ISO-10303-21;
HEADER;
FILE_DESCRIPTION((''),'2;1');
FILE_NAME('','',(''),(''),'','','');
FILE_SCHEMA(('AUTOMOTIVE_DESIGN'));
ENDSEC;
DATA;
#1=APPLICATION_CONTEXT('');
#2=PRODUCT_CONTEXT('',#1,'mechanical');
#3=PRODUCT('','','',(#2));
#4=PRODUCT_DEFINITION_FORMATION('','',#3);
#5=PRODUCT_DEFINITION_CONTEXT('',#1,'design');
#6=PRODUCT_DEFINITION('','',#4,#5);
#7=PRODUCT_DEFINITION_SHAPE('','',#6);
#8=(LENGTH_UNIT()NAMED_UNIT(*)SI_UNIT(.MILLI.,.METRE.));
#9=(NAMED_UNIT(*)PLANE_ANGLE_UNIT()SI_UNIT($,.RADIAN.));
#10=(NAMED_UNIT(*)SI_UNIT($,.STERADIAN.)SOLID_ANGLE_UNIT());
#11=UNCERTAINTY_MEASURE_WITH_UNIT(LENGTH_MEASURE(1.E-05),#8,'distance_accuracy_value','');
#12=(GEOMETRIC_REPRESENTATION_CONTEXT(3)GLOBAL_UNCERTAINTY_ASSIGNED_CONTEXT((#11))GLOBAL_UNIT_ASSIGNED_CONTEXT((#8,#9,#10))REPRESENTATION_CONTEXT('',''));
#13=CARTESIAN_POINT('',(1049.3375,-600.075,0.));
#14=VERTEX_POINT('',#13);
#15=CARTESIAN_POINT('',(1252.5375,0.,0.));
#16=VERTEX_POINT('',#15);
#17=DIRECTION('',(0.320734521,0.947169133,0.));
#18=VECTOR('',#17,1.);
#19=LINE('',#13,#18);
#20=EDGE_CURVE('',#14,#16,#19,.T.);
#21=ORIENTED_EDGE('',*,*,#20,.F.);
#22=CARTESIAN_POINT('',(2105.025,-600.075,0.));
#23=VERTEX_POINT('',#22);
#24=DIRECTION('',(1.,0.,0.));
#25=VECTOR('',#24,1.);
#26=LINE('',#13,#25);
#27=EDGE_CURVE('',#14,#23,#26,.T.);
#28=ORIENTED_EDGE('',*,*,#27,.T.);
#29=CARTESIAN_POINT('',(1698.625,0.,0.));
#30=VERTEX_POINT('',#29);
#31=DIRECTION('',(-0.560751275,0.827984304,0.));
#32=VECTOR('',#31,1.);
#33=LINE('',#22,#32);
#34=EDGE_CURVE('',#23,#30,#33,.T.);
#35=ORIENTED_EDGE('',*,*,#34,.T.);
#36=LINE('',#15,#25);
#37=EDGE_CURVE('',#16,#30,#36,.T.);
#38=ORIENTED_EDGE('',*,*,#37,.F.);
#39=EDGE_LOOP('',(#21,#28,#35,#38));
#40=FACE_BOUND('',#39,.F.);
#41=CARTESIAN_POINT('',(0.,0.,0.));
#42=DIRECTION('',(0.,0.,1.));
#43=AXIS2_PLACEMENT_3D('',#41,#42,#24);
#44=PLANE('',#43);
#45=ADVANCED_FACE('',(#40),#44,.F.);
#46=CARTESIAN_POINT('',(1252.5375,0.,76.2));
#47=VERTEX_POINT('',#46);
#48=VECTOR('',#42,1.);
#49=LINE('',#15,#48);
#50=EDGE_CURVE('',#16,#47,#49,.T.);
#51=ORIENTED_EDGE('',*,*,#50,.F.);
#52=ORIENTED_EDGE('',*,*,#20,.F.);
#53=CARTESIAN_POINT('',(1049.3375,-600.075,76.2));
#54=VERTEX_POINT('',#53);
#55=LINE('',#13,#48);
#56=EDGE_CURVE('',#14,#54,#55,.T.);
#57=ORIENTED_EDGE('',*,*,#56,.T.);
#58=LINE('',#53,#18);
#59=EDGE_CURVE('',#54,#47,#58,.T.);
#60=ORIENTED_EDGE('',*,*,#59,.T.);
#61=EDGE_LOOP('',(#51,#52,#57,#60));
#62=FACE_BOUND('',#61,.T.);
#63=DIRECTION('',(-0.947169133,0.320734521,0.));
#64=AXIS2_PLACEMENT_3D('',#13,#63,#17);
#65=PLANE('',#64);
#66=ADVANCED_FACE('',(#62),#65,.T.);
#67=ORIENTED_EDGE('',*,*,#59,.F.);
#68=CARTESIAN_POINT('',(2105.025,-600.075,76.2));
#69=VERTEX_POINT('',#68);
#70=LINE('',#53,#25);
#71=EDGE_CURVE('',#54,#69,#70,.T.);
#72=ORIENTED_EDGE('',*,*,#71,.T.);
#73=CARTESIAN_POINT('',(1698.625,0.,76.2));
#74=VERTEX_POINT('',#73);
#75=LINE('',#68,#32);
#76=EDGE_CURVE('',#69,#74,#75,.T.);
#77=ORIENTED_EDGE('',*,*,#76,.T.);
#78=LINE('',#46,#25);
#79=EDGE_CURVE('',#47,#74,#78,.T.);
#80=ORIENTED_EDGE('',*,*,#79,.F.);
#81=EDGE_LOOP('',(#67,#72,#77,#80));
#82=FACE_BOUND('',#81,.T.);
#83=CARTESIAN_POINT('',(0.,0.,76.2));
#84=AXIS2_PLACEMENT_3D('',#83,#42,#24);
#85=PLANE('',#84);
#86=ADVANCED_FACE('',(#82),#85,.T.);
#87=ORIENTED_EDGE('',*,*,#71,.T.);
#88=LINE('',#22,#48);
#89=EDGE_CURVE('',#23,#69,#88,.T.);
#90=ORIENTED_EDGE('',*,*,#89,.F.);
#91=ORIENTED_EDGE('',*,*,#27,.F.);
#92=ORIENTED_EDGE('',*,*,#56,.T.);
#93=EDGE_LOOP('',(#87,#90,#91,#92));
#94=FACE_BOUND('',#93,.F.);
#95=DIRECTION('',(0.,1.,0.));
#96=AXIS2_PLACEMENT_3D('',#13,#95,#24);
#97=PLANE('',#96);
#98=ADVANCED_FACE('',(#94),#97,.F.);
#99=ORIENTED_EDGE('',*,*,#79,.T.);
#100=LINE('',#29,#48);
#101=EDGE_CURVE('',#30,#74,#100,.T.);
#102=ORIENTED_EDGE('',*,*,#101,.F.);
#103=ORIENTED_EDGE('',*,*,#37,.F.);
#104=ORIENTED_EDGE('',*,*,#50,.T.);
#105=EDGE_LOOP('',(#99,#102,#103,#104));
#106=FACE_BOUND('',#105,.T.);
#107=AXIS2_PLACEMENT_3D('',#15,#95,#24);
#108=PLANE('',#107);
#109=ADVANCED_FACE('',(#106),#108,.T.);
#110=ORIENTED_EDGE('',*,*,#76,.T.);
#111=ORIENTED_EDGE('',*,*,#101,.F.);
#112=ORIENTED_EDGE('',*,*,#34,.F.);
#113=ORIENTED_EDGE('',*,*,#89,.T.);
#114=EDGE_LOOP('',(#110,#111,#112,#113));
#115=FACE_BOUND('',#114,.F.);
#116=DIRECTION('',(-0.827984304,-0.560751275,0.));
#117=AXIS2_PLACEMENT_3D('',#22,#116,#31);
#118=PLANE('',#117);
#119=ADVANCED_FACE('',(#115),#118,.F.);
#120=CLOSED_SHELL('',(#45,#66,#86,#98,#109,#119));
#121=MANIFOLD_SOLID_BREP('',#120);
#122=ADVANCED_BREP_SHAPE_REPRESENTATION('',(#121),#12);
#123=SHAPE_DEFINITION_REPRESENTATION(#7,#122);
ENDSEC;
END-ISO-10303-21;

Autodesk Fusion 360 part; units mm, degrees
sketch "Sketch1" plane through (0, 0, 0) normal (0, 0, 1) x (1, 0, 0)
  line L0 (0, 0) -> (0, -600.075)
  line L1 (0, -600.075) -> (744.5375, -600.075)
  line L2 (0, 0) -> (947.7375, 0)
  line L3 (947.7375, 0) -> (744.5375, -600.075)
  line L4 (1049.3375, -600.075) -> (2105.025, -600.075)
  line L5 (1049.3375, -600.075) -> (1252.5375, 0)
  line L6 (2105.025, -600.075) -> (1698.625, 0)
  line L7 (1252.5375, 0) -> (1698.625, 0)
  line L8 (2003.425, 0) -> (3025.775, 0)
  line L9 (2409.825, -600.075) -> (3025.775, -600.075)
  line L10 (3025.775, 0) -> (3025.775, -600.075)
  line L11 (2409.825, -600.075) -> (2003.425, 0)
  line L12 (0, -904.875) -> (0, -1504.95)
  line L13 (0, -1504.95) -> (376.2375, -1504.95)
  line L14 (376.2375, -1504.95) -> (528.6375, -904.875)
  line L15 (0, -904.875) -> (528.6375, -904.875)
  line L16 (579.4375, -1504.95) -> (1636.7125, -1504.95)
  line L17 (731.8375, -904.875) -> (1420.8125, -904.875)
  line L18 (579.4375, -1504.95) -> (731.8375, -904.875)
  line L19 (1420.8125, -904.875) -> (1636.7125, -1504.95)
  line L20 (1839.9125, -1504.95) -> (2160.5875, -1504.95)
  line L21 (1624.0125, -904.875) -> (2401.8875, -904.875)
  line L22 (1624.0125, -904.875) -> (1839.9125, -1504.95)
  line L23 (2160.5875, -1504.95) -> (2401.8875, -904.875)
  line L24 (2363.7875, -1504.95) -> (3019.425, -1504.95)
  line L25 (2605.0875, -904.875) -> (3019.425, -904.875)
  line L26 (3019.425, -904.875) -> (3019.425, -1504.95)
  line L27 (2605.0875, -904.875) -> (2363.7875, -1504.95)
  line L28 (0, -1809.75) -> (0, -2409.825)
  line L29 (0, -1809.75) -> (909.6375, -1809.75)
  line L30 (0, -2409.825) -> (795.3375, -2409.825)
  line L31 (795.3375, -2409.825) -> (909.6375, -1809.75)
  line L32 (1214.4375, -1809.75) -> (2017.7125, -1809.75)
  line L33 (1100.1375, -2409.825) -> (1878.0125, -2409.825)
  line L34 (1100.1375, -2409.825) -> (1214.4375, -1809.75)
  line L35 (1878.0125, -2409.825) -> (2017.7125, -1809.75)
  line L36 (2182.8125, -2409.825) -> (3028.95, -2409.825)
  line L37 (2322.5125, -1809.75) -> (3028.95, -1809.75)
  line L38 (2322.5125, -1809.75) -> (2182.8125, -2409.825)
  line L39 (3028.95, -1809.75) -> (3028.95, -2409.825)
  line L40 (0, -2714.625) -> (0, -3314.7)
  line L41 (0, -2714.625) -> (465.1375, -2714.625)
  line L42 (465.1375, -2714.625) -> (465.1375, -3314.7)
  line L43 (465.1375, -3314.7) -> (0, -3314.7)
  line L44 (668.3375, -3314.7) -> (1268.4125, -3314.7)
  line L45 (668.3375, -3314.7) -> (668.3375, -2714.625)
  line L46 (668.3375, -2714.625) -> (1458.9125, -2714.625)
  line L47 (1458.9125, -2714.625) -> (1268.4125, -3314.7)
  line L48 (1471.6125, -3314.7) -> (2236.7875, -3314.7)
  line L49 (1662.1125, -2714.625) -> (2528.8875, -2714.625)
  line L50 (1471.6125, -3314.7) -> (1662.1125, -2714.625)
  line L51 (2528.8875, -2714.625) -> (2236.7875, -3314.7)
  line L52 (2439.9875, -3314.7) -> (3019.425, -3314.7)
  line L53 (2732.0875, -2714.625) -> (3019.425, -2714.625)
  line L54 (2439.9875, -3314.7) -> (2732.0875, -2714.625)
  line L55 (3019.425, -2714.625) -> (3019.425, -3314.7)
  dimension "d1" = 600.075
  dimension "d2" = 744.5375
  dimension "d3" = 1055.6875
  dimension "d4" = 304.8
  dimension "d5" = 1022.35
  dimension "d6" = 615.95
  dimension "d7" = 0
  dimension "d8" = 304.8
  dimension "d9" = 376.2375
  dimension "d10" = 1057.275
  dimension "d11" = 203.2
  dimension "d12" = 688.975
  dimension "d13" = 320.675
  dimension "d14" = 777.875
  dimension "d15" = 203.2
  dimension "d16" = 655.6375
  dimension "d17" = 414.3375
  dimension "d18" = 203.2
  dimension "d19" = 0
  dimension "d20" = 0
  dimension "d21" = 909.6375
  dimension "d22" = 795.3375
  dimension "d23" = 803.275
  dimension "d24" = 777.875
  dimension "d25" = 304.8
  dimension "d26" = 846.1375
  dimension "d27" = 304.8
  dimension "d28" = 706.4375
  dimension "d29" = 304.8
  dimension "d30" = 947.7375
  dimension "d31" = 446.0875
  dimension "d32" = 528.6375
  dimension "d33" = 0
  dimension "d34" = 0
  dimension "d35" = 465.1375
  dimension "d36" = 600.075
  dimension "d37" = 203.2
  dimension "d38" = 790.575
  dimension "d39" = 765.175
  dimension "d40" = 203.2
  dimension "d41" = 866.775
  dimension "d42" = 579.4375
  dimension "d43" = 287.3375
  dimension "d44" = 203.2
extrude "Extrude1" add sketch "Sketch1" along normal blind 76.2 contours L4 L5 L6 L7
equation "d1 = 23 5/8\""
equation "d2 = 29 5/16\""
equation "d3 = 41 9/16\""
equation "d5 = 40 1/4\""
equation "d6 = 24 1/4\""
equation "d7 = d20"
equation "d9 = 14 13/16\""
equation "d12 = 27 1/8\""
equation "d13 = 12 5/8\""
equation "d14 = 30 5/8\""
equation "d16 = 25 13/16\""
equation "d17 = 16 5/16\""
equation "d19 = d20"
equation "d20 = d33"
equation "d21 = 35 13/16\""
equation "d22 = 31 5/16\""
equation "d23 = 31 5/8\""
equation "d24 = 30 5/8\""
equation "d26 = 33 5/16\""
equation "d28 = 27 13/16\""
equation "d30 = 37 5/16\""
equation "d31 = 17 9/16\""
equation "d32 = 20 13/16\""
equation "d33 = d33"
equation "d34 = d20"
equation "d35 = 18 5/16\""
equation "d36 = 23 5/8\""
equation "d38 = 31 1/8\""
equation "d41 = 34 1/8\""
